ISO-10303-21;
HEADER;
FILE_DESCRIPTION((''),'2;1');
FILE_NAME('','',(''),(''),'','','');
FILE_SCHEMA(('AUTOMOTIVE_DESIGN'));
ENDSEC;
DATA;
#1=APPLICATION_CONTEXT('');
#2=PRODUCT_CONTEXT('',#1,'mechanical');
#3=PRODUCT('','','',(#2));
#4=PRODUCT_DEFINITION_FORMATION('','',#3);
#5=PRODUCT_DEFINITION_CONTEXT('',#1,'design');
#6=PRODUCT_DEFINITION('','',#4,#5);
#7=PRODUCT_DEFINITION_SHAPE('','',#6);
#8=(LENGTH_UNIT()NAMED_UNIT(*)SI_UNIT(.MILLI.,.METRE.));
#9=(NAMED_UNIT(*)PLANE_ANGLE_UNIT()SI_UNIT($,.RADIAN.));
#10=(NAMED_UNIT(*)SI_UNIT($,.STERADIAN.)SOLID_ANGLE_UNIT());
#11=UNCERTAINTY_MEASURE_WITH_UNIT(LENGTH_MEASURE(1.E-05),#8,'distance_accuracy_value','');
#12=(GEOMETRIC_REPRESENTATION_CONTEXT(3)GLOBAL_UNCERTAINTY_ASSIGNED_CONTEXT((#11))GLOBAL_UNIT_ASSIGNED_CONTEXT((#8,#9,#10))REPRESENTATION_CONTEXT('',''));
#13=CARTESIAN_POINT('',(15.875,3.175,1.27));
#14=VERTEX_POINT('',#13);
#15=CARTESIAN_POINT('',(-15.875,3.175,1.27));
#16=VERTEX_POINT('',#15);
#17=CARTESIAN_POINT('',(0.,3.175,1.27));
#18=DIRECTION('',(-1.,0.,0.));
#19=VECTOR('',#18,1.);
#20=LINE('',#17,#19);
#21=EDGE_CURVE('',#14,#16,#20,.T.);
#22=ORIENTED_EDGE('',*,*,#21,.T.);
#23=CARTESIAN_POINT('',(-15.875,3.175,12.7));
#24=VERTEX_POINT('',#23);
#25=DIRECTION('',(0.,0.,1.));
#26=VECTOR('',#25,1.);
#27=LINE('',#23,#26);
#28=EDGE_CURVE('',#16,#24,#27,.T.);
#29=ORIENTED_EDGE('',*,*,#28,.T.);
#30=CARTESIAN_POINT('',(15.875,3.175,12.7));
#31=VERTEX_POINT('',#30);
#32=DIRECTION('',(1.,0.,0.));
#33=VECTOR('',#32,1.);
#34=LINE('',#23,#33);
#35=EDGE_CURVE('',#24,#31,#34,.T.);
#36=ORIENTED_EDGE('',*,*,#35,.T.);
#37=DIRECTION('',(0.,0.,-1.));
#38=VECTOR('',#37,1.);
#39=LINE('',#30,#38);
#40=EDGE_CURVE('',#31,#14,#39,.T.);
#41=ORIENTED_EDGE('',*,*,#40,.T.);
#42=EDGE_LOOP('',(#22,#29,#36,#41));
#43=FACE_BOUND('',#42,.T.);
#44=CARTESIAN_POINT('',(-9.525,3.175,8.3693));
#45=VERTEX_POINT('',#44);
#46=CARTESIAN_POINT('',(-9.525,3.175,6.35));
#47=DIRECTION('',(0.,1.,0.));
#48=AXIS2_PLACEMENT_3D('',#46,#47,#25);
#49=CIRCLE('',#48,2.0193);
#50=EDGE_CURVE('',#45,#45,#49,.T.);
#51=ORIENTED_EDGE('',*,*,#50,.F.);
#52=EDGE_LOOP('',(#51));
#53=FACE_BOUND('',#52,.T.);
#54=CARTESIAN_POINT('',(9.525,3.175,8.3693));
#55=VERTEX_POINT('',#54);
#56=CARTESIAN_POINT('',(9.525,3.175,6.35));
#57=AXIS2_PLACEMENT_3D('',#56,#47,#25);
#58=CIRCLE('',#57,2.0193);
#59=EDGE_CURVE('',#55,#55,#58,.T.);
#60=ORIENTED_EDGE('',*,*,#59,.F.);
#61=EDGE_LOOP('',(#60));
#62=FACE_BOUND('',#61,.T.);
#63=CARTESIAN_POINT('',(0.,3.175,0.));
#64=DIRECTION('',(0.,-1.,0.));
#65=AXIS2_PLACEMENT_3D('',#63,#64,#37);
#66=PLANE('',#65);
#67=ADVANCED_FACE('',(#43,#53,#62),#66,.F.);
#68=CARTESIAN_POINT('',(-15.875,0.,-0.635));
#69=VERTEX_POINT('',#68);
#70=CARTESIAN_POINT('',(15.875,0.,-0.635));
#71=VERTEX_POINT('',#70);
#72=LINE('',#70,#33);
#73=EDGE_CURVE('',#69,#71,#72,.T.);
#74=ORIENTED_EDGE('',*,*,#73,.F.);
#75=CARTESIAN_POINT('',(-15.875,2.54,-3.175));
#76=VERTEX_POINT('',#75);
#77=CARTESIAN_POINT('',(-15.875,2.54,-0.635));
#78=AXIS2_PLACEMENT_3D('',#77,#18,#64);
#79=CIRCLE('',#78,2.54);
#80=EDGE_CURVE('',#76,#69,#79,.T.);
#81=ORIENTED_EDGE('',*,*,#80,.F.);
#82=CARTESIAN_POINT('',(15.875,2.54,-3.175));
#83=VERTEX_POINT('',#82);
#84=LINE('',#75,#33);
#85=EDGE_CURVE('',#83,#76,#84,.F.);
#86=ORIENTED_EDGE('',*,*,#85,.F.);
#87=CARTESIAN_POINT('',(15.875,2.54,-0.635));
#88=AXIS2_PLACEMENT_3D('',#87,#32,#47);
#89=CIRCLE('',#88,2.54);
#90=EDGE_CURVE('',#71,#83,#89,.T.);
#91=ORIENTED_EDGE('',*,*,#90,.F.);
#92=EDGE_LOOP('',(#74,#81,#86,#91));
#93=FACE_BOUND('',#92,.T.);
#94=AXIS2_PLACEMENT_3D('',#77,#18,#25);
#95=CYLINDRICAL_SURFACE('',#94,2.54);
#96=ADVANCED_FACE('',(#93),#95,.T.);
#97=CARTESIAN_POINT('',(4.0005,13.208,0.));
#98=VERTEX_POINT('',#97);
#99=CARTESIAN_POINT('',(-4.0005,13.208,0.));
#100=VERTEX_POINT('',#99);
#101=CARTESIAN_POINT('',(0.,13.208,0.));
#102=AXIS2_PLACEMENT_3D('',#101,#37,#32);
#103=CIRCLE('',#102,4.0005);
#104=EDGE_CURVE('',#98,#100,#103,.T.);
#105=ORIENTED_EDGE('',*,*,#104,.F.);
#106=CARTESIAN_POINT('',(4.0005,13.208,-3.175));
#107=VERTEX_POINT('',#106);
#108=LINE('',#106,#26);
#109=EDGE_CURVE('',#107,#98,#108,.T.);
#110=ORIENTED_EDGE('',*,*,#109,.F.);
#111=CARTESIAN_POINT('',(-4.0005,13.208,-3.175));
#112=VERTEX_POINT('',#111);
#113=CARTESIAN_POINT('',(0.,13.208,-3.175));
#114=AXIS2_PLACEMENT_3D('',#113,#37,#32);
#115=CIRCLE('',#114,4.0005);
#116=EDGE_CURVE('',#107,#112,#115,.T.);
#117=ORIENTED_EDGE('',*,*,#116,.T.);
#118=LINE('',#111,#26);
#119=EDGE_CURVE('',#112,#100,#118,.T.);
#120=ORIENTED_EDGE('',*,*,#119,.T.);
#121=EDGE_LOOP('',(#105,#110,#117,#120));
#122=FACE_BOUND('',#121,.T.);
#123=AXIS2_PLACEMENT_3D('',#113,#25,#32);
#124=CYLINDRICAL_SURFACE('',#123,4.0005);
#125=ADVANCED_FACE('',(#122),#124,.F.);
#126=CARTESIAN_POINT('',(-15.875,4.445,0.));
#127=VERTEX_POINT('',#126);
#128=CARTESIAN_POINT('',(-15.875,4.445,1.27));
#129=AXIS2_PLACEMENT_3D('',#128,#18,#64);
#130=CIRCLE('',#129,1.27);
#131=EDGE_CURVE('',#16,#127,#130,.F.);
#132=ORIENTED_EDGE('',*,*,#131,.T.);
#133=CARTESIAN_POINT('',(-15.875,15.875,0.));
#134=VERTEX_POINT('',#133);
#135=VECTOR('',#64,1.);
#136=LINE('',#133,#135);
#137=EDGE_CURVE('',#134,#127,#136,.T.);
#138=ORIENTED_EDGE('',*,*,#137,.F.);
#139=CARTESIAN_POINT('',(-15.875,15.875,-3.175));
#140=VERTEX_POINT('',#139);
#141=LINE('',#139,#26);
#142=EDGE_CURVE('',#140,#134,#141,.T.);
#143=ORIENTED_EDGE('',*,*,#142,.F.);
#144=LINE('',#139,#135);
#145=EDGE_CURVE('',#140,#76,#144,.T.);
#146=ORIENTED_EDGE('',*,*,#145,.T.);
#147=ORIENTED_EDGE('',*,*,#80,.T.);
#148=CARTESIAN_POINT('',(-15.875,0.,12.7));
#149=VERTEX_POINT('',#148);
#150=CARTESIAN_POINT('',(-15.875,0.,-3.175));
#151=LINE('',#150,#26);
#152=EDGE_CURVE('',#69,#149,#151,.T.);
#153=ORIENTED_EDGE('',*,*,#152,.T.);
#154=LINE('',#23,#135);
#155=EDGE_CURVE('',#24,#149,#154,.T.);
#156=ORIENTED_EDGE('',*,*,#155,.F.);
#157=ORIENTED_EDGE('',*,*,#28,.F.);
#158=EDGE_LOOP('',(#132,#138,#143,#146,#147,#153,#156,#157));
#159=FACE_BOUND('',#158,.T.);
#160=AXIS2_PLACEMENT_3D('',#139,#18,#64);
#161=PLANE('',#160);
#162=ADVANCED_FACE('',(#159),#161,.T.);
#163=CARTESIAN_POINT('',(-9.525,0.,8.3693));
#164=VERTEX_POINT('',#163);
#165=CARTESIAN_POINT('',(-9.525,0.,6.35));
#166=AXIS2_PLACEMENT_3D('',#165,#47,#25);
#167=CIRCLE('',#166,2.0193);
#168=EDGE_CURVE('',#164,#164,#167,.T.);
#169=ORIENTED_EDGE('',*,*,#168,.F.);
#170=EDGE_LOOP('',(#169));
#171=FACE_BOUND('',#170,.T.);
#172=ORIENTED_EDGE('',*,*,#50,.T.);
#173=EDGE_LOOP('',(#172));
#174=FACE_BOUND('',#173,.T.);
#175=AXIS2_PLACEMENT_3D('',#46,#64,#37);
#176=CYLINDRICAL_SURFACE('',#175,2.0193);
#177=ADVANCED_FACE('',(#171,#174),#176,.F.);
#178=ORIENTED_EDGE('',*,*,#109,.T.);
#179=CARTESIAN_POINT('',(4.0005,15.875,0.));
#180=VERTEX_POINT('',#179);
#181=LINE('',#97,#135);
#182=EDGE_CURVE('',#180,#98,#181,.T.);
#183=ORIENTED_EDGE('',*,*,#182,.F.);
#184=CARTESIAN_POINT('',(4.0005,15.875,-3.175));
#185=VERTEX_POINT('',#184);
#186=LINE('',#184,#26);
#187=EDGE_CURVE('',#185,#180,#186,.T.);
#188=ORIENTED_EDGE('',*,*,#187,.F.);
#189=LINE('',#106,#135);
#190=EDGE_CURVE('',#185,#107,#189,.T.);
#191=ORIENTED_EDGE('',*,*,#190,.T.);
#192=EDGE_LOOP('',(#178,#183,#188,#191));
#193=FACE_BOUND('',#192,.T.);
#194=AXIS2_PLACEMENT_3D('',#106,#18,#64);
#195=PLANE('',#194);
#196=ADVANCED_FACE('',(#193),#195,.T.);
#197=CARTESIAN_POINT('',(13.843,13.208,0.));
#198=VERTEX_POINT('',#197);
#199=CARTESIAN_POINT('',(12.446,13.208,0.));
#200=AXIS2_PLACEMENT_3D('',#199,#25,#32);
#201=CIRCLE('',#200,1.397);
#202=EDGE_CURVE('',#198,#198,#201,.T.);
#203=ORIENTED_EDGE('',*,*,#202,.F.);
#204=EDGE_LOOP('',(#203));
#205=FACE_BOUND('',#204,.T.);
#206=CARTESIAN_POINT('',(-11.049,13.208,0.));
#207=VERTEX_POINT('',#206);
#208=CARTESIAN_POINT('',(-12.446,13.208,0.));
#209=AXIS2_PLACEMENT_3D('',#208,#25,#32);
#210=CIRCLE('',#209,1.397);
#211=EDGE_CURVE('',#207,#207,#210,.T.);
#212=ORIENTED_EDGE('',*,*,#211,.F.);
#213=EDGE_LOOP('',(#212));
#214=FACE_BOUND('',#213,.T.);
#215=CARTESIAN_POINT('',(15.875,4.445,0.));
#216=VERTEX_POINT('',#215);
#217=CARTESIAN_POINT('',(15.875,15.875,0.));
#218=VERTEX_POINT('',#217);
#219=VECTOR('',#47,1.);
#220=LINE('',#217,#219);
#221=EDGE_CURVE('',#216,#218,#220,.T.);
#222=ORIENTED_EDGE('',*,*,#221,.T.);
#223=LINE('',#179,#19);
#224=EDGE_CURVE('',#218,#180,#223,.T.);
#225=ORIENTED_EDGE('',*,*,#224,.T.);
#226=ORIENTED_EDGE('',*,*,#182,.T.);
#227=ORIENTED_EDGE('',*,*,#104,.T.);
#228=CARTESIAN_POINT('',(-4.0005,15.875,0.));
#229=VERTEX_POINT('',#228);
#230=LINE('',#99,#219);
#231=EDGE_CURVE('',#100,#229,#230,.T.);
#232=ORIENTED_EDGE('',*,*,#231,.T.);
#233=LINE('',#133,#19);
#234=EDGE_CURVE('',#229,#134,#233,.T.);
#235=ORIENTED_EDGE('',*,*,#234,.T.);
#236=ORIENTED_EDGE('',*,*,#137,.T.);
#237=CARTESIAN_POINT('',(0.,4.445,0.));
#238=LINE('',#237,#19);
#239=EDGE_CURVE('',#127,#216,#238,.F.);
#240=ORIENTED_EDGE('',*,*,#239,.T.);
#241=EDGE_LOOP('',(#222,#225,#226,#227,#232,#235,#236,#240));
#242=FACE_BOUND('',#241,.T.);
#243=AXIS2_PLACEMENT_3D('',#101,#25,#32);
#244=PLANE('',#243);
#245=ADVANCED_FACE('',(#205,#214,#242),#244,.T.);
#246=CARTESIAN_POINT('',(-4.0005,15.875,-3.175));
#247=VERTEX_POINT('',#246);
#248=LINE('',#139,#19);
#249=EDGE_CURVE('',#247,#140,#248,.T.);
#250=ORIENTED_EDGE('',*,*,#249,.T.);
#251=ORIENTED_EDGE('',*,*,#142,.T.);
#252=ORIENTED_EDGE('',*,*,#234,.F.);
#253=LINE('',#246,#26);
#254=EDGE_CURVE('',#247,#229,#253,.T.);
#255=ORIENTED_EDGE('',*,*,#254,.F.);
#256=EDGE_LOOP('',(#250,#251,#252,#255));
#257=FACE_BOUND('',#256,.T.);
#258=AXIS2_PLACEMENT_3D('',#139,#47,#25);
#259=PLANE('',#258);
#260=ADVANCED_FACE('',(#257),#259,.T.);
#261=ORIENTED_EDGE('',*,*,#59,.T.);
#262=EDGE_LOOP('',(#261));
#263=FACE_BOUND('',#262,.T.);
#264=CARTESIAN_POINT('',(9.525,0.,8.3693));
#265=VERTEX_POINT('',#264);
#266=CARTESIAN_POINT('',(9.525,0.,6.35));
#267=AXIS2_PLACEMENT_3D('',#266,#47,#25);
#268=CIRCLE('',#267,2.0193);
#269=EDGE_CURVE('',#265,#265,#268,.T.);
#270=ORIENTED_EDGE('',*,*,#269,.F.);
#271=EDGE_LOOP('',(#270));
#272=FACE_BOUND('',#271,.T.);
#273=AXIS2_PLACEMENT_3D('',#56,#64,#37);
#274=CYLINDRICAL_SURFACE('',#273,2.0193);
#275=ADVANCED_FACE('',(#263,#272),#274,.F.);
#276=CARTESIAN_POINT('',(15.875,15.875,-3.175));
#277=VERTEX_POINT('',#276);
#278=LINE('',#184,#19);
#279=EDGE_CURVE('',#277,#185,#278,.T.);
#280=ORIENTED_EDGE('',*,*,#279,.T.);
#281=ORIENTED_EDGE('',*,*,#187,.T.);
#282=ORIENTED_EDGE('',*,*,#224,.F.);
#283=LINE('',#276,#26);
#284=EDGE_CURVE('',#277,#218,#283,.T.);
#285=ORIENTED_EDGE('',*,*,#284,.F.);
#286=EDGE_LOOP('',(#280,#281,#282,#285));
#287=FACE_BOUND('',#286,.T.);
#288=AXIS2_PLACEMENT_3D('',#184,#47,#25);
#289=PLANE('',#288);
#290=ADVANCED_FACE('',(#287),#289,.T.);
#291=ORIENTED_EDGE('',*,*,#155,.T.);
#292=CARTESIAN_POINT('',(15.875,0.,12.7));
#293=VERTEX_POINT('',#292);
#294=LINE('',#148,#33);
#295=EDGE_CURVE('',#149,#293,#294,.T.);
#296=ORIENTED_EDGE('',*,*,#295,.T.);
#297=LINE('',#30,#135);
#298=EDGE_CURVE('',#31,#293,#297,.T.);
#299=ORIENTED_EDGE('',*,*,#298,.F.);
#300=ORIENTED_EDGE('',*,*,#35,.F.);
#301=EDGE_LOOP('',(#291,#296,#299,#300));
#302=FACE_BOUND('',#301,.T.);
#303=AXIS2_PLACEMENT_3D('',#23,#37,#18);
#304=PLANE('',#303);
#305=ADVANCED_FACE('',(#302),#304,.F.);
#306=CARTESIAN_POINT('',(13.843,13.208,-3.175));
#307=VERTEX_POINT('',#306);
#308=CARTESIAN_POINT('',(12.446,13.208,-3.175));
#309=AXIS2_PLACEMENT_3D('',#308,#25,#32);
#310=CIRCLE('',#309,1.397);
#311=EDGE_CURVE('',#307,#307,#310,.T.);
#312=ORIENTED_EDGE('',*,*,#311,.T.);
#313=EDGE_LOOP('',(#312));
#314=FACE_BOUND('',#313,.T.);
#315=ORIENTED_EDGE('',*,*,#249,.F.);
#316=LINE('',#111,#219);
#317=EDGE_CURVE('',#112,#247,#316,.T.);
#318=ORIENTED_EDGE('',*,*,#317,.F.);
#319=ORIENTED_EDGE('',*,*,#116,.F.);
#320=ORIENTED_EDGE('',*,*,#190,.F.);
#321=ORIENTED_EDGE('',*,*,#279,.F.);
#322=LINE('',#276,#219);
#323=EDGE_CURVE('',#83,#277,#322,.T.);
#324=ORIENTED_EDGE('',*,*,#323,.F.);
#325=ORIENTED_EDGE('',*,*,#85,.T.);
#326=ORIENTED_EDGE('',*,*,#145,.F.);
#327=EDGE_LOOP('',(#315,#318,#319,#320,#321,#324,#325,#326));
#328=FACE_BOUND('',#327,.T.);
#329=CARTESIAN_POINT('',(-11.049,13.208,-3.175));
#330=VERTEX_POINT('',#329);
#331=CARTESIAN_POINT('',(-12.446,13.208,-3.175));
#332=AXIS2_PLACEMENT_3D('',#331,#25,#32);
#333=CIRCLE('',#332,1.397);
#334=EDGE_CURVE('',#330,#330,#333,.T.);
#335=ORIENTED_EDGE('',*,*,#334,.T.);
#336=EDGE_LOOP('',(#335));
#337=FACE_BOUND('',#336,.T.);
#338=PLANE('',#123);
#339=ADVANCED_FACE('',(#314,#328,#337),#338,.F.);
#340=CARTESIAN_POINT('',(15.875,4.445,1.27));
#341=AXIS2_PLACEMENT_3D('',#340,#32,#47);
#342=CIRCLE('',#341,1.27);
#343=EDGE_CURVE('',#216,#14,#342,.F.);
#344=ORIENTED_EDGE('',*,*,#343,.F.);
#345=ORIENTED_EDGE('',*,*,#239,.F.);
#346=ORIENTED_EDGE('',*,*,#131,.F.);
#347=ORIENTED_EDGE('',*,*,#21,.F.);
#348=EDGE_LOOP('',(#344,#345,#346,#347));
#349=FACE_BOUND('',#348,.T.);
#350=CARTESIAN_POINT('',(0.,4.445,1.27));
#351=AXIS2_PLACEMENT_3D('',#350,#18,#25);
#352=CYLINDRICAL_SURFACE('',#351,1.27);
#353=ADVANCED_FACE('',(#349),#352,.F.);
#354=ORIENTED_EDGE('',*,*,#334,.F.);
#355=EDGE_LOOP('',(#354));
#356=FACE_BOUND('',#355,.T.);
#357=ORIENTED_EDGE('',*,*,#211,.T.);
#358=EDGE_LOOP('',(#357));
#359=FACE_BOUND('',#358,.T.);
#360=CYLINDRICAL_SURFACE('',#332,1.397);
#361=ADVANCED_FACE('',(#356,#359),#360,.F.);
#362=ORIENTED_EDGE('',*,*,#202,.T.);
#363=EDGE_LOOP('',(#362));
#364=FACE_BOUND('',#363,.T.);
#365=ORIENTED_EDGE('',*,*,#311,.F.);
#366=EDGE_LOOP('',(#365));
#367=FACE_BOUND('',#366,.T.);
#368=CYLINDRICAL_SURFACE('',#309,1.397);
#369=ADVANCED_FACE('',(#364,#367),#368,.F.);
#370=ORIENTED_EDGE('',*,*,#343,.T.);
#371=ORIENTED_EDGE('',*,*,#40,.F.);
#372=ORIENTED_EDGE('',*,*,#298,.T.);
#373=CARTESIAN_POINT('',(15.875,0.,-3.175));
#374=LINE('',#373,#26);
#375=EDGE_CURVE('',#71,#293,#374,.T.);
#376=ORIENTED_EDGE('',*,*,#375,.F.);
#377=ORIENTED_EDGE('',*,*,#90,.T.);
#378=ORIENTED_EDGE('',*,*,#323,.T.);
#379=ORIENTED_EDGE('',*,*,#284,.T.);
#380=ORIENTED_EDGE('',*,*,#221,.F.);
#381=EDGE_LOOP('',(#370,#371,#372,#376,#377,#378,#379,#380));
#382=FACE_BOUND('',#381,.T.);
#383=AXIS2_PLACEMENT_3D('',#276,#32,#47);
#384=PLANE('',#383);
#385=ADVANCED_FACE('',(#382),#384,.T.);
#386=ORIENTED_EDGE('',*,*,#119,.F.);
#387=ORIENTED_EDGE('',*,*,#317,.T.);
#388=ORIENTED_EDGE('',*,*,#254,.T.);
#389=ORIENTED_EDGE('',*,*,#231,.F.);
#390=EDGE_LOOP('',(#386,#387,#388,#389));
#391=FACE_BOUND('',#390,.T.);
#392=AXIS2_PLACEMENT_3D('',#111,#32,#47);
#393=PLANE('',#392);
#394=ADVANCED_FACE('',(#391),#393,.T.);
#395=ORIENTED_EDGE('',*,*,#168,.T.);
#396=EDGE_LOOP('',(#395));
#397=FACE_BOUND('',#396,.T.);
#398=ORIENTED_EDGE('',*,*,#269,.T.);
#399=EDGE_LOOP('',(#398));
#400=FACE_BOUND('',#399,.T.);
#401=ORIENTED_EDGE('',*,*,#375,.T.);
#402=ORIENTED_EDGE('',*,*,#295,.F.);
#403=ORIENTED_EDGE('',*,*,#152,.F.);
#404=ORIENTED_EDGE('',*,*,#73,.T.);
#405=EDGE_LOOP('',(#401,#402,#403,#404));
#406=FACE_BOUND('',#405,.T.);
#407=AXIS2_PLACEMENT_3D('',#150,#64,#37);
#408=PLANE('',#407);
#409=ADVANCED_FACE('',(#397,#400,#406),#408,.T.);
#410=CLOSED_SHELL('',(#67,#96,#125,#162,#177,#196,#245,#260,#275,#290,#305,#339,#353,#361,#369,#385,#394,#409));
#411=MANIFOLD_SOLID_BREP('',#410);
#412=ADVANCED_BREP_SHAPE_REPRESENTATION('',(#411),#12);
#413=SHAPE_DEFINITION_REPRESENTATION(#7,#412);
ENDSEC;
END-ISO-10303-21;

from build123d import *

# Parameters (mm, degrees)
SKETCH1_R           = 1.397
BOSS_EXTRUDE1_DEPTH = 3.175
SKETCH2_W           = 31.75
SKETCH2_H           = 12.7
SKETCH2_R           = 2.0193
BOSS_EXTRUDE2_DEPTH = 3.175
FILLET1_R           = 1.27
FILLET2_R           = 2.54


with BuildPart() as part:
    # Sketch1 → Boss-Extrude1 (new body)
    with BuildSketch(Plane.XY):
        with BuildLine():
            Line((-4.0005, 13.208), (-4.0005, 15.875))
            Line((-4.0005, 15.875), (-15.875, 15.875))
            Line((-15.875, 15.875), (-15.875, 0))
            Line((-15.875, 0), (15.875, 0))
            Line((15.875, 0), (15.875, 15.875))
            Line((15.875, 15.875), (4.0005, 15.875))
            Line((4.0005, 15.875), (4.0005, 13.208))
            ThreePointArc((4.0005, 13.208), (0, 9.2075), (-4.0005, 13.208))
        make_face()
        with Locations((12.446, 13.208)):
            Circle(SKETCH1_R, mode=Mode.SUBTRACT)
        with Locations((-12.446, 13.208)):
            Circle(SKETCH1_R, mode=Mode.SUBTRACT)
    extrude(amount=-BOSS_EXTRUDE1_DEPTH)

    # Sketch2 → Boss-Extrude2 (add)
    with BuildSketch(Plane(origin=(0, 0, 0), x_dir=(1, 0, 0), z_dir=(0, 1, 0))):
        with Locations((0, -6.35)):
            Rectangle(SKETCH2_W, SKETCH2_H)
        with Locations(Location((-9.525, -6.35, 0), (0, 0, 270))):
            Circle(SKETCH2_R, mode=Mode.SUBTRACT)
        with Locations(Location((9.525, -6.35, 0), (0, 0, 270))):
            Circle(SKETCH2_R, mode=Mode.SUBTRACT)
    extrude(amount=BOSS_EXTRUDE2_DEPTH)

    # Fillet1
    fillet1_edges = [part.edges().sort_by_distance(p)[0] for p in [
        (0, 3.175, 0),
    ]]
    fillet(fillet1_edges, radius=FILLET1_R)

    # Fillet2
    fillet2_edges = [part.edges().sort_by_distance(p)[0] for p in [
        (0, 0, -3.175),
    ]]
    fillet(fillet2_edges, radius=FILLET2_R)


solid = part.part
